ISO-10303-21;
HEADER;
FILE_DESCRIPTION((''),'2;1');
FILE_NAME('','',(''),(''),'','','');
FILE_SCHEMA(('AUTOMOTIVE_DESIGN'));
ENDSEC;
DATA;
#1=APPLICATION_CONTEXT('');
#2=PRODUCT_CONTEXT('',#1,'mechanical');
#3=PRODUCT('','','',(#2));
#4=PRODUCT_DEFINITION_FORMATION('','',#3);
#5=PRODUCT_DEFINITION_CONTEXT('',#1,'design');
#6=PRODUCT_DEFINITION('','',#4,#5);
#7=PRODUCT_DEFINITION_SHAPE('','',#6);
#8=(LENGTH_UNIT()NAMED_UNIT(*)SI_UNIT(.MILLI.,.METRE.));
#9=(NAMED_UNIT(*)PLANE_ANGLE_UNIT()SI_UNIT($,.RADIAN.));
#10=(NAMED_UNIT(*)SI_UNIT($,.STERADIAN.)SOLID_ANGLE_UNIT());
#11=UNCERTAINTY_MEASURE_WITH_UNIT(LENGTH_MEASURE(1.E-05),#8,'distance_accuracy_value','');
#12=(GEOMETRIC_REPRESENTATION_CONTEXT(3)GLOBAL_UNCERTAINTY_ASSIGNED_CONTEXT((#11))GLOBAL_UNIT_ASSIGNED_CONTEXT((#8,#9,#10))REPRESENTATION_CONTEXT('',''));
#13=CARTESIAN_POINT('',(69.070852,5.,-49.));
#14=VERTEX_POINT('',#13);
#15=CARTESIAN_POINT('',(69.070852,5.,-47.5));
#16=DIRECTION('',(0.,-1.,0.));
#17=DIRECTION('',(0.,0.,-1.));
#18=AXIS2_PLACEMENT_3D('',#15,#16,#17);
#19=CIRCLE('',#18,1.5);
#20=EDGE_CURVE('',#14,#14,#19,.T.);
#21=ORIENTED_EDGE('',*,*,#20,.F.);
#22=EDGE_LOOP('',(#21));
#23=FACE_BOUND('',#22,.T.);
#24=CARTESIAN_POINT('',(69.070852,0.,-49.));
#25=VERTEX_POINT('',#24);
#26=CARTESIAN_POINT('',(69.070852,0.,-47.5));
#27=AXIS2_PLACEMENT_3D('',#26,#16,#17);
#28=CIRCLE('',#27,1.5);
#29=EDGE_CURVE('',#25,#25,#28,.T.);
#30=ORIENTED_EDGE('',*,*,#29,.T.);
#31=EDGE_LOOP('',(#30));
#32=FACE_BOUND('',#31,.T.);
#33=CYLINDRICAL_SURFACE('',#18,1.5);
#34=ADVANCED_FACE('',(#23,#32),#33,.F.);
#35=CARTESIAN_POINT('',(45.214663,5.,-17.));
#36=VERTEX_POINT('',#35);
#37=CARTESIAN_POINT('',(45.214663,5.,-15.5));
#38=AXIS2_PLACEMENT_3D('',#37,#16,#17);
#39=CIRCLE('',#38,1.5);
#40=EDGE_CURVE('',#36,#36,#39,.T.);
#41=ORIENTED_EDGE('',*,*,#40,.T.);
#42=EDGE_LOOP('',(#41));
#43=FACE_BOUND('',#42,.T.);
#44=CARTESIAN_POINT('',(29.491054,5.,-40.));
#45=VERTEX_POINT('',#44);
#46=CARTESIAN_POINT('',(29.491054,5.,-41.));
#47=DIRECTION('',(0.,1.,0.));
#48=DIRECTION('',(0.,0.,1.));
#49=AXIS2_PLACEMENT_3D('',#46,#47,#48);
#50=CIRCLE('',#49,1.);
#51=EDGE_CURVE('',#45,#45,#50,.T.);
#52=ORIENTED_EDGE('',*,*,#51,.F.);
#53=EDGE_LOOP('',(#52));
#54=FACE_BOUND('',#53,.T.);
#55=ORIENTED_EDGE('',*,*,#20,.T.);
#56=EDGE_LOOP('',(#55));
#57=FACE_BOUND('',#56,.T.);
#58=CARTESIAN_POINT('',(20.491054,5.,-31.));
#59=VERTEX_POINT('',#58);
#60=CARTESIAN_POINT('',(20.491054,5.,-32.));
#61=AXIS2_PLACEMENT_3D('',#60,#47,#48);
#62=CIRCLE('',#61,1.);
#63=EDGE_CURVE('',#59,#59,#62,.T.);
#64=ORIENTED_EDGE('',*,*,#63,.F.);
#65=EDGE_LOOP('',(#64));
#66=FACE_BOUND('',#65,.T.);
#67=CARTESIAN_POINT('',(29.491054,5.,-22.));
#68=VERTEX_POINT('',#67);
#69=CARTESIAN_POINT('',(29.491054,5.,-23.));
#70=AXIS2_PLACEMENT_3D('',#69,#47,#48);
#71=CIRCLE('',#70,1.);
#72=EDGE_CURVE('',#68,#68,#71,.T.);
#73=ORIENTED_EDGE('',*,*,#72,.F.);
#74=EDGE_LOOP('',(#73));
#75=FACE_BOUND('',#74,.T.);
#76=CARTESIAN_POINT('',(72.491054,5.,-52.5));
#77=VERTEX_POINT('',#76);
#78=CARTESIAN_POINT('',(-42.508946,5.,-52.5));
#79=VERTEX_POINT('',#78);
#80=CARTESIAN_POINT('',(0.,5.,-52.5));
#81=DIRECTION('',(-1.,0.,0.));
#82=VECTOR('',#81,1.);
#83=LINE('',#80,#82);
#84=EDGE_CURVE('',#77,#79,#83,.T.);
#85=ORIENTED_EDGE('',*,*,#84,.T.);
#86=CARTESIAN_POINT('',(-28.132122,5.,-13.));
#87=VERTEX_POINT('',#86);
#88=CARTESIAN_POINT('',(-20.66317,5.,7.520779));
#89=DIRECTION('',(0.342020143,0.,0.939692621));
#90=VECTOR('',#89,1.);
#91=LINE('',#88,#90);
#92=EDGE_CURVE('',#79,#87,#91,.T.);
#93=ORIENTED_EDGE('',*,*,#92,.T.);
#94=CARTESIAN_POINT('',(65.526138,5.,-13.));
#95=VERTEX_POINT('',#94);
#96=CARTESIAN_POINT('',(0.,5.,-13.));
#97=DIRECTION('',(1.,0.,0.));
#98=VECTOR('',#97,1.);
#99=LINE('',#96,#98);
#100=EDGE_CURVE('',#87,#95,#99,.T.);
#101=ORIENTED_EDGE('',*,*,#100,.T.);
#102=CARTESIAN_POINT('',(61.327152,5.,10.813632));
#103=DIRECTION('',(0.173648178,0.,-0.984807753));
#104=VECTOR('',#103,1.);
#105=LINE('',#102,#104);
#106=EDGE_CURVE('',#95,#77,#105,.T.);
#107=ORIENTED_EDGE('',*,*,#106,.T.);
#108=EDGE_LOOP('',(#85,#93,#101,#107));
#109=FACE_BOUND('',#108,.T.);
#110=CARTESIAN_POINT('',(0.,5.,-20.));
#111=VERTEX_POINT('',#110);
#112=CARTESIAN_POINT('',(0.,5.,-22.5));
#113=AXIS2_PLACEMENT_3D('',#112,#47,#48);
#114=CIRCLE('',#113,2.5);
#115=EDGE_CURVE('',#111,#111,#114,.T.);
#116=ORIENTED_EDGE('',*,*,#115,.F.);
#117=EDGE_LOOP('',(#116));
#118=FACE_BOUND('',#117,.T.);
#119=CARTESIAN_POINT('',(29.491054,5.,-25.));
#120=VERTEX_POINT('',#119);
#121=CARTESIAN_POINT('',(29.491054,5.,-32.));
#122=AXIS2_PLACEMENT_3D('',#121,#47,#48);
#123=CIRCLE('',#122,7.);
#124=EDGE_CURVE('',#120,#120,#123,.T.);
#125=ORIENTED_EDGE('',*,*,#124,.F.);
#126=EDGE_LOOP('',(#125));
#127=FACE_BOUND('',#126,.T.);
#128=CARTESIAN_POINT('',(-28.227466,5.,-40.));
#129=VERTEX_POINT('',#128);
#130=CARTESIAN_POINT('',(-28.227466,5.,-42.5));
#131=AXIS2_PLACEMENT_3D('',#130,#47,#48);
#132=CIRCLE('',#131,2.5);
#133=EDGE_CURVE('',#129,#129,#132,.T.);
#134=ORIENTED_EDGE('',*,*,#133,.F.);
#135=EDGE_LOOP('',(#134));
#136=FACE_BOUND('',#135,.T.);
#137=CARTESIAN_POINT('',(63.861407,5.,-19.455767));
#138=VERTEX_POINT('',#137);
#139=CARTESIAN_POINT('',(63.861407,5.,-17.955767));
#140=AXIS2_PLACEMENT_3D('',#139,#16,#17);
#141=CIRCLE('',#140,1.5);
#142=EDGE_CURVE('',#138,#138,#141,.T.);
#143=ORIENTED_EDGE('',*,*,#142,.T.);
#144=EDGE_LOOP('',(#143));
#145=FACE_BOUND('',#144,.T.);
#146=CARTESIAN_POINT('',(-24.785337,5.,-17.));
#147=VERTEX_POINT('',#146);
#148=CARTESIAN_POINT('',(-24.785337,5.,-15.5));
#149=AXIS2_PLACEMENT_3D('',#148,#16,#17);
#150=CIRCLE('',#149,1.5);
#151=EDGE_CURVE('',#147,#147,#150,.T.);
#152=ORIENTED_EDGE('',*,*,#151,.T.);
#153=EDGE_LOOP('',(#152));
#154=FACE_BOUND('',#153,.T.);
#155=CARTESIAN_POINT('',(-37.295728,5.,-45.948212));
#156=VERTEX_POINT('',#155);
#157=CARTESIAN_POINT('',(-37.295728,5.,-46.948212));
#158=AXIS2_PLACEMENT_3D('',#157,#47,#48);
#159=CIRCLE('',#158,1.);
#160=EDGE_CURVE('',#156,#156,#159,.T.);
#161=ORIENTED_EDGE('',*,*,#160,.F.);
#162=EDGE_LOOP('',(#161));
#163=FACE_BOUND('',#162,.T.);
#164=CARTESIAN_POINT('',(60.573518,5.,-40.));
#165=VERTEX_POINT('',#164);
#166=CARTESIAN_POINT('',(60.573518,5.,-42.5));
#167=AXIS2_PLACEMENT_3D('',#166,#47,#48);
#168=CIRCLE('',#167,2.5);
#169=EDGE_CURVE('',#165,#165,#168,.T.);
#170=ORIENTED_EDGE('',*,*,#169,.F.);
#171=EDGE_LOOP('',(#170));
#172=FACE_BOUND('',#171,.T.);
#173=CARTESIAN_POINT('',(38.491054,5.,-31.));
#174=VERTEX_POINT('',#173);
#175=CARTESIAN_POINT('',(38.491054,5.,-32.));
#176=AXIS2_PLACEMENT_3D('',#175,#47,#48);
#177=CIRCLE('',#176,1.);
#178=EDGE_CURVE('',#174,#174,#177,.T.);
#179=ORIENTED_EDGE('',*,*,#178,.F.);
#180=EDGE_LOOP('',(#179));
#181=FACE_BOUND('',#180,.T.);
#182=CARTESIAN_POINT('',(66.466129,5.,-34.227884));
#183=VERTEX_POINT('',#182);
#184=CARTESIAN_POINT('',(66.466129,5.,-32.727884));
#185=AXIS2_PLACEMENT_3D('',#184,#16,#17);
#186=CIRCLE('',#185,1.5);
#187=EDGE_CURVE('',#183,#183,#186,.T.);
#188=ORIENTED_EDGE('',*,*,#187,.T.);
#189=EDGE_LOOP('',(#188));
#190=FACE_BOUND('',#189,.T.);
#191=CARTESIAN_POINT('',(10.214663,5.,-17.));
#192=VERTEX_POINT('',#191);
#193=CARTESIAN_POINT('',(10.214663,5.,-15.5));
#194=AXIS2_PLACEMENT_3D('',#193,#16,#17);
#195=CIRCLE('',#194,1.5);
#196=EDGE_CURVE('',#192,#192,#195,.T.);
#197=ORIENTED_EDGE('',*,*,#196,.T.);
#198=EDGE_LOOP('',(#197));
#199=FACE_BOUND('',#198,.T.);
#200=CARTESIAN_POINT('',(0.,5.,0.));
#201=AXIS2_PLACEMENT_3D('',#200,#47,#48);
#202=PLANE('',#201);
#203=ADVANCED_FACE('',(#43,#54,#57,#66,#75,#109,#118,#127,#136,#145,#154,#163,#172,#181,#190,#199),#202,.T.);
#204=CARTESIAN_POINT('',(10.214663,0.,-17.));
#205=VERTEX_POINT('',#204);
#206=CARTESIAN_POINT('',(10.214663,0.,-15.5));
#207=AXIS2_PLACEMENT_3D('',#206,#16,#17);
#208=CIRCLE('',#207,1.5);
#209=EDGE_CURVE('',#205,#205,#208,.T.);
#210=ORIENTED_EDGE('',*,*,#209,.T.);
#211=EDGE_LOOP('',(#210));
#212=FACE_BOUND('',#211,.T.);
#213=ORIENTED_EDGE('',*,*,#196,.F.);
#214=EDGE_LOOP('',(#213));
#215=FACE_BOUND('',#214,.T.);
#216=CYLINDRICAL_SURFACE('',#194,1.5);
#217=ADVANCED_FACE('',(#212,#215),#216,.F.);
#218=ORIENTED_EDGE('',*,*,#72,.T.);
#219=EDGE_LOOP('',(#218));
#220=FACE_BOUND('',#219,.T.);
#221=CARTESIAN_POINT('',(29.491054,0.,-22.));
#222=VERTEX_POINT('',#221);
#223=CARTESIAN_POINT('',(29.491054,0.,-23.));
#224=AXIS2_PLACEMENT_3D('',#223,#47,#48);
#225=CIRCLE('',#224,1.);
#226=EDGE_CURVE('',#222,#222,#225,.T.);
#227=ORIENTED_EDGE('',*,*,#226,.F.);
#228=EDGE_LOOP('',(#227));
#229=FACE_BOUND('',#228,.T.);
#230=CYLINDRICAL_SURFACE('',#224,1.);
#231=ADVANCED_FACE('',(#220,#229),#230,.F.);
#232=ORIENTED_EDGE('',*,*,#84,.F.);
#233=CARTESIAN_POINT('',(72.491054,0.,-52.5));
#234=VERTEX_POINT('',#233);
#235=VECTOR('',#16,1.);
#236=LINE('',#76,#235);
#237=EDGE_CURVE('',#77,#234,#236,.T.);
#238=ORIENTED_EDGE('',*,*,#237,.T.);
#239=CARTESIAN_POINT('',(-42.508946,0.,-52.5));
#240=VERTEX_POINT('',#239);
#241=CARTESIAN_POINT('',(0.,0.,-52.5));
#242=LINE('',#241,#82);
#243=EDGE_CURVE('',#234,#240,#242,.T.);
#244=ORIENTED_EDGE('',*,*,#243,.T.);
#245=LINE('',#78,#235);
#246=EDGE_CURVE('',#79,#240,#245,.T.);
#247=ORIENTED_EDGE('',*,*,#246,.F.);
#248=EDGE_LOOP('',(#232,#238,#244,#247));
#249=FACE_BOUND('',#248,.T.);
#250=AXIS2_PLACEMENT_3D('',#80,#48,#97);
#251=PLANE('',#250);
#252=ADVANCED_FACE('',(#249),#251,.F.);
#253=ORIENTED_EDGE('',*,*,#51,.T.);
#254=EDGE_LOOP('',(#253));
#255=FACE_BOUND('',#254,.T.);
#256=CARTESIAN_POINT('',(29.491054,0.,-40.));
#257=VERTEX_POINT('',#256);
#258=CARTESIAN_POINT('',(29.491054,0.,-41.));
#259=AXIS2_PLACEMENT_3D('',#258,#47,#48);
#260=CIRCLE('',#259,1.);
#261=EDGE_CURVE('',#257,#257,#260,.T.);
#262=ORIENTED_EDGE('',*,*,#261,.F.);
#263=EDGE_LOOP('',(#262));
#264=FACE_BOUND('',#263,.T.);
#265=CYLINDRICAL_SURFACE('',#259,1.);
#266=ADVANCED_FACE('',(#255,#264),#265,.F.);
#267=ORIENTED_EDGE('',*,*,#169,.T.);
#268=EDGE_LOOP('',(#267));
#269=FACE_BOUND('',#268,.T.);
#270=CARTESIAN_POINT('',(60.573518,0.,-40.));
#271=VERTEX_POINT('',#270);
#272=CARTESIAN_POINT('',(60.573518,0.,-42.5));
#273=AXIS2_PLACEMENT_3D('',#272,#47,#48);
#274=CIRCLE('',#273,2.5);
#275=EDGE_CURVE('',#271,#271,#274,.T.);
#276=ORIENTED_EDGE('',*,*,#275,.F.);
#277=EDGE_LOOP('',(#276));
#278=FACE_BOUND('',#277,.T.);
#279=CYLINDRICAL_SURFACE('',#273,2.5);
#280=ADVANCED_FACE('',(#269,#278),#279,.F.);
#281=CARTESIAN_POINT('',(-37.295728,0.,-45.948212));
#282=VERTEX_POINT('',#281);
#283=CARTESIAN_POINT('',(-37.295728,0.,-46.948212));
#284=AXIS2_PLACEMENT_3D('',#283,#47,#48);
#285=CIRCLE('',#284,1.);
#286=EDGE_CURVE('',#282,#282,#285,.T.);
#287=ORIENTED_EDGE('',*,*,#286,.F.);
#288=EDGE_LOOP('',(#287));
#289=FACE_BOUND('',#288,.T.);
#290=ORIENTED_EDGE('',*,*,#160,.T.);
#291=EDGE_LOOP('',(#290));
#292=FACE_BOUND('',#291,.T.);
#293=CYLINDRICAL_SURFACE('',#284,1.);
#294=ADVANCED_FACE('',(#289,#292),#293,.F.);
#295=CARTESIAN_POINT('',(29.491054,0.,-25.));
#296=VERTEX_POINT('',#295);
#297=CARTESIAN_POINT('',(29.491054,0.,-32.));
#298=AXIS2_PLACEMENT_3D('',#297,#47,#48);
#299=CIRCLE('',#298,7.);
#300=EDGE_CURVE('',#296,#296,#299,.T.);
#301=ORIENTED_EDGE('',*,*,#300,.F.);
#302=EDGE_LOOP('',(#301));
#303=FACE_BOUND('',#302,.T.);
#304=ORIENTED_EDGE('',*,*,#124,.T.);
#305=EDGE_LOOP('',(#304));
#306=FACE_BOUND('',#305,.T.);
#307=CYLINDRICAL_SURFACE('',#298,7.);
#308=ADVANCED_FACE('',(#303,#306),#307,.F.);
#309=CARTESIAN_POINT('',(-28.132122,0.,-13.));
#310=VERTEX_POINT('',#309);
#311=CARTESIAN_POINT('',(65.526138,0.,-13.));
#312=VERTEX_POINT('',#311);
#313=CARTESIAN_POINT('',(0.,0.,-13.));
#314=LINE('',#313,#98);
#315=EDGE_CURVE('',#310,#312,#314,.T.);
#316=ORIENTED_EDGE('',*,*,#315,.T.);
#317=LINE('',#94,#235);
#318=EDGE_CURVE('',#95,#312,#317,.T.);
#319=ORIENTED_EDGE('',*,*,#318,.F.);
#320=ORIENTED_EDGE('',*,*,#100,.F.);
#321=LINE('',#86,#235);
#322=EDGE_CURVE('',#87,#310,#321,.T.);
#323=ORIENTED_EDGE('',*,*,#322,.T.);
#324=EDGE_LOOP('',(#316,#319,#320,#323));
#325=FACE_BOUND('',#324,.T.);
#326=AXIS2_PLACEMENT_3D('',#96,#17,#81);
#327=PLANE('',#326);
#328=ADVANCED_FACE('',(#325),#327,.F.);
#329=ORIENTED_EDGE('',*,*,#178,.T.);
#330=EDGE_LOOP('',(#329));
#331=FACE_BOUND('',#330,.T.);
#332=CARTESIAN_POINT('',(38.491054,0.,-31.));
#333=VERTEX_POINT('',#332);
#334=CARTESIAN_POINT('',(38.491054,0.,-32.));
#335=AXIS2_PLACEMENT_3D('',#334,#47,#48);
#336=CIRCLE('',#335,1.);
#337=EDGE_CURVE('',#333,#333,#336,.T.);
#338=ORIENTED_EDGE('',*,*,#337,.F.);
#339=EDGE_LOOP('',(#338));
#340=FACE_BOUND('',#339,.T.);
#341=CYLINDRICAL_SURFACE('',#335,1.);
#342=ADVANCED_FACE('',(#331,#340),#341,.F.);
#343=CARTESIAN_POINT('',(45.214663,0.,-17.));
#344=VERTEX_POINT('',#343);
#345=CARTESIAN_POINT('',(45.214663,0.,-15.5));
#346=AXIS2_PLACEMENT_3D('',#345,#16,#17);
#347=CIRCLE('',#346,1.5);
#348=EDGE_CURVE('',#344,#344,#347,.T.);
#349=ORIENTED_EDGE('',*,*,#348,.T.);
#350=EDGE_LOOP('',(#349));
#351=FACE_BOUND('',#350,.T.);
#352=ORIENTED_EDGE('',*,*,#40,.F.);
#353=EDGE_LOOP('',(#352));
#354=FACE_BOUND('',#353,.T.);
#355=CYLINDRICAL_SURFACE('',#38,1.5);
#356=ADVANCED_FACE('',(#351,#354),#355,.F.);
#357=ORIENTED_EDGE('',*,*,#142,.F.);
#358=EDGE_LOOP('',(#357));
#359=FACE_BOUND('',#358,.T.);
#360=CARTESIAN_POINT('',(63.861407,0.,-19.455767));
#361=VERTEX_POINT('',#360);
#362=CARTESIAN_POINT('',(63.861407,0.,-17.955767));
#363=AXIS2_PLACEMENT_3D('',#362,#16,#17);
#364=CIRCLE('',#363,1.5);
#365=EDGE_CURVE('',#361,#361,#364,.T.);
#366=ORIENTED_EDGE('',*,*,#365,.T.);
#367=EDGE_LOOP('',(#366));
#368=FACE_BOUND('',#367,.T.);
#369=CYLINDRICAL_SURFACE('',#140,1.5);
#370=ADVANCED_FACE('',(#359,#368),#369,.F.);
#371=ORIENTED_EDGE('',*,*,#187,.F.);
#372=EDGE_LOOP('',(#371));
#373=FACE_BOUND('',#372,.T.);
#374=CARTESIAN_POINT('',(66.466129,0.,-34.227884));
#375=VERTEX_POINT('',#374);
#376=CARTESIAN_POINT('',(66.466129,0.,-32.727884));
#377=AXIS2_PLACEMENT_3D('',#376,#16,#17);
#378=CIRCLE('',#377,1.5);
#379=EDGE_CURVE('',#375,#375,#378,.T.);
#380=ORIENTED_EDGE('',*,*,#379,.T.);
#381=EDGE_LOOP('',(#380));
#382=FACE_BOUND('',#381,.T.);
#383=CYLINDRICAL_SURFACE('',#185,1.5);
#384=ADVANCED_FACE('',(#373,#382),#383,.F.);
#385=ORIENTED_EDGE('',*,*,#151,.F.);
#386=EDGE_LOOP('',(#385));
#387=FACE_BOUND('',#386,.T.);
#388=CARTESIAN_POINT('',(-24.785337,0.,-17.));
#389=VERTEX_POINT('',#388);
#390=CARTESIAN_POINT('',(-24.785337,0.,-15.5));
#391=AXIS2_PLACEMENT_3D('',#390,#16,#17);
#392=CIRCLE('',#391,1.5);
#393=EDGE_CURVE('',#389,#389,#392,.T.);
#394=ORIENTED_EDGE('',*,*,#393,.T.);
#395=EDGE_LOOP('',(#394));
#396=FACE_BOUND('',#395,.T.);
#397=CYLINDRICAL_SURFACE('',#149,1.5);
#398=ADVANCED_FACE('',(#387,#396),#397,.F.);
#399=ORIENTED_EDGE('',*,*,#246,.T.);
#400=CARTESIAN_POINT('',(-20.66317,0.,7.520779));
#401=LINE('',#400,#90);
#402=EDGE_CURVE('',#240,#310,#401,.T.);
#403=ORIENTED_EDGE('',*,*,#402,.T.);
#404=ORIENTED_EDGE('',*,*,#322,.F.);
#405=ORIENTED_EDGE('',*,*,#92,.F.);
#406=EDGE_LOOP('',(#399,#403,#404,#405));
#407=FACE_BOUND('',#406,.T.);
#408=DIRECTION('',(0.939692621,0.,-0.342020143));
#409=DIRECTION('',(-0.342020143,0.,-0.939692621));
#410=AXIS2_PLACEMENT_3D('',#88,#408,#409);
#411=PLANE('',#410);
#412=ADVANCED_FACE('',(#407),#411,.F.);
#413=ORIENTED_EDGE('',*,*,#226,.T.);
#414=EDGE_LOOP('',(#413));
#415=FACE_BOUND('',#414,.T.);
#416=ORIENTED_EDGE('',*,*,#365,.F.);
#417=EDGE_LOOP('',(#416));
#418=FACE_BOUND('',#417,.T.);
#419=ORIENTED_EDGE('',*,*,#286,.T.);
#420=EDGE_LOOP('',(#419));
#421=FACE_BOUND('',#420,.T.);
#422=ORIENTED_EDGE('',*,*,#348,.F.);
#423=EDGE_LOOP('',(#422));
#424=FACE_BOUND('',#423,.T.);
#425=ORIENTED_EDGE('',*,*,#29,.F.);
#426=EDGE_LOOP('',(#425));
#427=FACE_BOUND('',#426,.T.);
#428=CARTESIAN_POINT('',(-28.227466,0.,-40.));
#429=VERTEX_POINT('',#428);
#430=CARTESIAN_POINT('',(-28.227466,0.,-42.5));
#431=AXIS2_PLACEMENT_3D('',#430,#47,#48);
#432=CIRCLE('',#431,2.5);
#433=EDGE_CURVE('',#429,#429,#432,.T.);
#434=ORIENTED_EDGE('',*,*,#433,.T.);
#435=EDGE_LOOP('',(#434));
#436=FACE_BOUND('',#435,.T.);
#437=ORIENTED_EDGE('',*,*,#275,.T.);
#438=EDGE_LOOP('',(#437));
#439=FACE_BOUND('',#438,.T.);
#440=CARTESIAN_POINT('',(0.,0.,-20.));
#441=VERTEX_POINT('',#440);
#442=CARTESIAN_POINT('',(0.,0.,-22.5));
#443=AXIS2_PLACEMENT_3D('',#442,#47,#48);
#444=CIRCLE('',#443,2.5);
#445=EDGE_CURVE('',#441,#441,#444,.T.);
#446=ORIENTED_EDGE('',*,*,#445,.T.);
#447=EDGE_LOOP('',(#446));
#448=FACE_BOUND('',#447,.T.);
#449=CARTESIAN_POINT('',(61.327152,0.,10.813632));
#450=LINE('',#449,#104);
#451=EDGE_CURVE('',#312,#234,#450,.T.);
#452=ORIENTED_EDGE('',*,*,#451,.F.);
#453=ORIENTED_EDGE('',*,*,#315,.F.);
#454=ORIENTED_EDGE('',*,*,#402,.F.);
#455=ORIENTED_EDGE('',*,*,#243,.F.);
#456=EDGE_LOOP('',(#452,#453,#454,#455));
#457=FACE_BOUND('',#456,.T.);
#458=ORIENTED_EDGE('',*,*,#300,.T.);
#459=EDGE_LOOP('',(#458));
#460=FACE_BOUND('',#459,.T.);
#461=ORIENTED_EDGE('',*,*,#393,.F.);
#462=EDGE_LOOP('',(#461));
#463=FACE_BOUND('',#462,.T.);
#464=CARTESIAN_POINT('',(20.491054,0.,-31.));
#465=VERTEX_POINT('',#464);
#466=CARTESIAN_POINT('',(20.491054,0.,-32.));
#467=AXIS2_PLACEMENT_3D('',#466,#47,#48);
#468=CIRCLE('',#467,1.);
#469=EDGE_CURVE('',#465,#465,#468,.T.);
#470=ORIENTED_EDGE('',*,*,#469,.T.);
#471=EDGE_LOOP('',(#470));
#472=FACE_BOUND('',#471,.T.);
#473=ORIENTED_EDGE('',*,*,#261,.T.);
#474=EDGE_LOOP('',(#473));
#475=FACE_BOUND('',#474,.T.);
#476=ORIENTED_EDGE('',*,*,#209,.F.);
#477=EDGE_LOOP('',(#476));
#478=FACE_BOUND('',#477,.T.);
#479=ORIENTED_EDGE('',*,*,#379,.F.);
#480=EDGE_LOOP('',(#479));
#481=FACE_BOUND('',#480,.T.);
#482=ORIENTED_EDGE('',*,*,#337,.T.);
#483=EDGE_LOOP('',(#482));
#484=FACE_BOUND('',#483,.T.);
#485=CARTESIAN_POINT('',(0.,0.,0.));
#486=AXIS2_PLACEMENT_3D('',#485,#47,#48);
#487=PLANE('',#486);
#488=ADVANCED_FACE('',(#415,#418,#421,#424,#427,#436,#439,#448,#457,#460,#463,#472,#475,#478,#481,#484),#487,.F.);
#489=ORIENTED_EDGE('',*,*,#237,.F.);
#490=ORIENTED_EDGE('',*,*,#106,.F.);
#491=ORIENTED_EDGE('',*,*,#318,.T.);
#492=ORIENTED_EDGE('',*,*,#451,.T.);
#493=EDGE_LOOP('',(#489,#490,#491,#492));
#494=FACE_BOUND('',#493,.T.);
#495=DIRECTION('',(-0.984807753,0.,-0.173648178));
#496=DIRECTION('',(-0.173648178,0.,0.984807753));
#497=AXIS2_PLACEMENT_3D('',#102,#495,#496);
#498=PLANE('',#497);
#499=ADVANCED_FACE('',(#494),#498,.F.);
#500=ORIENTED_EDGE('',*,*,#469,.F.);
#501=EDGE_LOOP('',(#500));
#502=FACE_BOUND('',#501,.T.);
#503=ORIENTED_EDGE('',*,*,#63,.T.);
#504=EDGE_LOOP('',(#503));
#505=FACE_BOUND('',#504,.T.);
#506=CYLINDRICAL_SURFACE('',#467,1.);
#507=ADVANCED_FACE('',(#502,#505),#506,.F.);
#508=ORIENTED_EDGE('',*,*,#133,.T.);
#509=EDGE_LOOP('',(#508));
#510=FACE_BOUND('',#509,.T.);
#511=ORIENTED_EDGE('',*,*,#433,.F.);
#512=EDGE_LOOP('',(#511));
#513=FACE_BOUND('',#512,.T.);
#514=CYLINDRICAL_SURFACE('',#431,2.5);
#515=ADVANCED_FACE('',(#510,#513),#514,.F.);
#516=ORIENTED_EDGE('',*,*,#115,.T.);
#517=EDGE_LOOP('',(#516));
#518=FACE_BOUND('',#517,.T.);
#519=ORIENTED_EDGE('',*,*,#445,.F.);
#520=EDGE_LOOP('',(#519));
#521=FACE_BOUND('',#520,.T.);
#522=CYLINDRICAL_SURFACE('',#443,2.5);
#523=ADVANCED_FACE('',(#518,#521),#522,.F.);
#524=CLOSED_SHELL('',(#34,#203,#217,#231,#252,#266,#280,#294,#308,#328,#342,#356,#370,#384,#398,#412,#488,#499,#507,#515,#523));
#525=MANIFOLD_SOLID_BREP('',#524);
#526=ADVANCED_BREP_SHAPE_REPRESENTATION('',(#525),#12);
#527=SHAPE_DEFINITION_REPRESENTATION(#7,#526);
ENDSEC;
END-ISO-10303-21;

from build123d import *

# Parameters (mm, degrees)
BOSS_EXTRUDE2_DEPTH = 5
SKETCH2_R           = 2.5
CUT_EXTRUDE1_DEPTH  = 5
SKETCH3_R           = 7
SKETCH3_R_2         = 1
CUT_EXTRUDE2_DEPTH  = 90.644870735
SKETCH4_R           = 1.5
CUT_EXTRUDE3_DEPTH  = 90.644870735
SKETCH5_R           = 1
CUT_EXTRUDE4_DEPTH  = 90.644870735


with BuildPart() as part:
    # Sketch1 → Boss-Extrude2 (new body)
    with BuildSketch(Plane(origin=(0, 0, 0), x_dir=(-1, 0, 0), z_dir=(0, 1, 0))):
        Polygon((-72.491053579, -52.5), (42.508946421, -52.5), (28.132122167, -13), (-65.526137841, -13), align=None)
    extrude(amount=BOSS_EXTRUDE2_DEPTH)

    # Sketch2 → Cut-Extrude1 (cut)
    with BuildSketch(Plane(origin=(0, 5, 0), x_dir=(-1, 0, 0), z_dir=(0, 1, 0))):
        with Locations(Location((28.227466353, -42.5, 0), (0, 0, 90))):
            Circle(SKETCH2_R)
        with Locations(Location((0, -22.5, 0), (0, 0, 90))):
            Circle(SKETCH2_R)
        with Locations(Location((-60.573517653, -42.5, 0), (0, 0, 90))):
            Circle(SKETCH2_R)
    extrude(amount=-CUT_EXTRUDE1_DEPTH, mode=Mode.SUBTRACT)

    # Sketch3 → Cut-Extrude2 (cut, through all)
    with BuildSketch(Plane(origin=(0, 5, 0), x_dir=(1, 0, 0), z_dir=(0, 1, 0))):
        with Locations(Location((29.491053579, 32, 0), (0, 0, 270))):
            Circle(SKETCH3_R)
        with Locations(Location((20.491053579, 32, 0), (0, 0, 270))):
            Circle(SKETCH3_R_2)
        with Locations(Location((29.491053579, 41, 0), (0, 0, 270))):
            Circle(SKETCH3_R_2)
        with Locations(Location((38.491053579, 32, 0), (0, 0, 270))):
            Circle(SKETCH3_R_2)
        with Locations(Location((29.491053579, 23, 0), (0, 0, 270))):
            Circle(SKETCH3_R_2)
    extrude(amount=-CUT_EXTRUDE2_DEPTH, mode=Mode.SUBTRACT)

    # Sketch4 → Cut-Extrude3 (cut, through all)
    with BuildSketch(Plane.XZ):
        with Locations(Location((-24.785336663, -15.5, 0), (0, 0, 270))):
            Circle(SKETCH4_R)
        with Locations(Location((10.214663337, -15.5, 0), (0, 0, 270))):
            Circle(SKETCH4_R)
        with Locations(Location((45.214663337, -15.5, 0), (0, 0, 270))):
            Circle(SKETCH4_R)
        with Locations(Location((63.861406816, -17.95576741, 0), (0, 0, 270))):
            Circle(SKETCH4_R)
        with Locations(Location((66.466129481, -32.727883705, 0), (0, 0, 270))):
            Circle(SKETCH4_R)
        with Locations(Location((69.070852146, -47.5, 0), (0, 0, 270))):
            Circle(SKETCH4_R)
    extrude(amount=-CUT_EXTRUDE3_DEPTH, mode=Mode.SUBTRACT)

    # Sketch5 → Cut-Extrude4 (cut, through all)
    with BuildSketch(Plane(origin=(0, 5, 0), x_dir=(-1, 0, 0), z_dir=(0, 1, 0))):
        with Locations(Location((37.295727555, -46.948212084, 0), (0, 0, 90))):
            Circle(SKETCH5_R)
    extrude(amount=-CUT_EXTRUDE4_DEPTH, mode=Mode.SUBTRACT)


solid = part.part
